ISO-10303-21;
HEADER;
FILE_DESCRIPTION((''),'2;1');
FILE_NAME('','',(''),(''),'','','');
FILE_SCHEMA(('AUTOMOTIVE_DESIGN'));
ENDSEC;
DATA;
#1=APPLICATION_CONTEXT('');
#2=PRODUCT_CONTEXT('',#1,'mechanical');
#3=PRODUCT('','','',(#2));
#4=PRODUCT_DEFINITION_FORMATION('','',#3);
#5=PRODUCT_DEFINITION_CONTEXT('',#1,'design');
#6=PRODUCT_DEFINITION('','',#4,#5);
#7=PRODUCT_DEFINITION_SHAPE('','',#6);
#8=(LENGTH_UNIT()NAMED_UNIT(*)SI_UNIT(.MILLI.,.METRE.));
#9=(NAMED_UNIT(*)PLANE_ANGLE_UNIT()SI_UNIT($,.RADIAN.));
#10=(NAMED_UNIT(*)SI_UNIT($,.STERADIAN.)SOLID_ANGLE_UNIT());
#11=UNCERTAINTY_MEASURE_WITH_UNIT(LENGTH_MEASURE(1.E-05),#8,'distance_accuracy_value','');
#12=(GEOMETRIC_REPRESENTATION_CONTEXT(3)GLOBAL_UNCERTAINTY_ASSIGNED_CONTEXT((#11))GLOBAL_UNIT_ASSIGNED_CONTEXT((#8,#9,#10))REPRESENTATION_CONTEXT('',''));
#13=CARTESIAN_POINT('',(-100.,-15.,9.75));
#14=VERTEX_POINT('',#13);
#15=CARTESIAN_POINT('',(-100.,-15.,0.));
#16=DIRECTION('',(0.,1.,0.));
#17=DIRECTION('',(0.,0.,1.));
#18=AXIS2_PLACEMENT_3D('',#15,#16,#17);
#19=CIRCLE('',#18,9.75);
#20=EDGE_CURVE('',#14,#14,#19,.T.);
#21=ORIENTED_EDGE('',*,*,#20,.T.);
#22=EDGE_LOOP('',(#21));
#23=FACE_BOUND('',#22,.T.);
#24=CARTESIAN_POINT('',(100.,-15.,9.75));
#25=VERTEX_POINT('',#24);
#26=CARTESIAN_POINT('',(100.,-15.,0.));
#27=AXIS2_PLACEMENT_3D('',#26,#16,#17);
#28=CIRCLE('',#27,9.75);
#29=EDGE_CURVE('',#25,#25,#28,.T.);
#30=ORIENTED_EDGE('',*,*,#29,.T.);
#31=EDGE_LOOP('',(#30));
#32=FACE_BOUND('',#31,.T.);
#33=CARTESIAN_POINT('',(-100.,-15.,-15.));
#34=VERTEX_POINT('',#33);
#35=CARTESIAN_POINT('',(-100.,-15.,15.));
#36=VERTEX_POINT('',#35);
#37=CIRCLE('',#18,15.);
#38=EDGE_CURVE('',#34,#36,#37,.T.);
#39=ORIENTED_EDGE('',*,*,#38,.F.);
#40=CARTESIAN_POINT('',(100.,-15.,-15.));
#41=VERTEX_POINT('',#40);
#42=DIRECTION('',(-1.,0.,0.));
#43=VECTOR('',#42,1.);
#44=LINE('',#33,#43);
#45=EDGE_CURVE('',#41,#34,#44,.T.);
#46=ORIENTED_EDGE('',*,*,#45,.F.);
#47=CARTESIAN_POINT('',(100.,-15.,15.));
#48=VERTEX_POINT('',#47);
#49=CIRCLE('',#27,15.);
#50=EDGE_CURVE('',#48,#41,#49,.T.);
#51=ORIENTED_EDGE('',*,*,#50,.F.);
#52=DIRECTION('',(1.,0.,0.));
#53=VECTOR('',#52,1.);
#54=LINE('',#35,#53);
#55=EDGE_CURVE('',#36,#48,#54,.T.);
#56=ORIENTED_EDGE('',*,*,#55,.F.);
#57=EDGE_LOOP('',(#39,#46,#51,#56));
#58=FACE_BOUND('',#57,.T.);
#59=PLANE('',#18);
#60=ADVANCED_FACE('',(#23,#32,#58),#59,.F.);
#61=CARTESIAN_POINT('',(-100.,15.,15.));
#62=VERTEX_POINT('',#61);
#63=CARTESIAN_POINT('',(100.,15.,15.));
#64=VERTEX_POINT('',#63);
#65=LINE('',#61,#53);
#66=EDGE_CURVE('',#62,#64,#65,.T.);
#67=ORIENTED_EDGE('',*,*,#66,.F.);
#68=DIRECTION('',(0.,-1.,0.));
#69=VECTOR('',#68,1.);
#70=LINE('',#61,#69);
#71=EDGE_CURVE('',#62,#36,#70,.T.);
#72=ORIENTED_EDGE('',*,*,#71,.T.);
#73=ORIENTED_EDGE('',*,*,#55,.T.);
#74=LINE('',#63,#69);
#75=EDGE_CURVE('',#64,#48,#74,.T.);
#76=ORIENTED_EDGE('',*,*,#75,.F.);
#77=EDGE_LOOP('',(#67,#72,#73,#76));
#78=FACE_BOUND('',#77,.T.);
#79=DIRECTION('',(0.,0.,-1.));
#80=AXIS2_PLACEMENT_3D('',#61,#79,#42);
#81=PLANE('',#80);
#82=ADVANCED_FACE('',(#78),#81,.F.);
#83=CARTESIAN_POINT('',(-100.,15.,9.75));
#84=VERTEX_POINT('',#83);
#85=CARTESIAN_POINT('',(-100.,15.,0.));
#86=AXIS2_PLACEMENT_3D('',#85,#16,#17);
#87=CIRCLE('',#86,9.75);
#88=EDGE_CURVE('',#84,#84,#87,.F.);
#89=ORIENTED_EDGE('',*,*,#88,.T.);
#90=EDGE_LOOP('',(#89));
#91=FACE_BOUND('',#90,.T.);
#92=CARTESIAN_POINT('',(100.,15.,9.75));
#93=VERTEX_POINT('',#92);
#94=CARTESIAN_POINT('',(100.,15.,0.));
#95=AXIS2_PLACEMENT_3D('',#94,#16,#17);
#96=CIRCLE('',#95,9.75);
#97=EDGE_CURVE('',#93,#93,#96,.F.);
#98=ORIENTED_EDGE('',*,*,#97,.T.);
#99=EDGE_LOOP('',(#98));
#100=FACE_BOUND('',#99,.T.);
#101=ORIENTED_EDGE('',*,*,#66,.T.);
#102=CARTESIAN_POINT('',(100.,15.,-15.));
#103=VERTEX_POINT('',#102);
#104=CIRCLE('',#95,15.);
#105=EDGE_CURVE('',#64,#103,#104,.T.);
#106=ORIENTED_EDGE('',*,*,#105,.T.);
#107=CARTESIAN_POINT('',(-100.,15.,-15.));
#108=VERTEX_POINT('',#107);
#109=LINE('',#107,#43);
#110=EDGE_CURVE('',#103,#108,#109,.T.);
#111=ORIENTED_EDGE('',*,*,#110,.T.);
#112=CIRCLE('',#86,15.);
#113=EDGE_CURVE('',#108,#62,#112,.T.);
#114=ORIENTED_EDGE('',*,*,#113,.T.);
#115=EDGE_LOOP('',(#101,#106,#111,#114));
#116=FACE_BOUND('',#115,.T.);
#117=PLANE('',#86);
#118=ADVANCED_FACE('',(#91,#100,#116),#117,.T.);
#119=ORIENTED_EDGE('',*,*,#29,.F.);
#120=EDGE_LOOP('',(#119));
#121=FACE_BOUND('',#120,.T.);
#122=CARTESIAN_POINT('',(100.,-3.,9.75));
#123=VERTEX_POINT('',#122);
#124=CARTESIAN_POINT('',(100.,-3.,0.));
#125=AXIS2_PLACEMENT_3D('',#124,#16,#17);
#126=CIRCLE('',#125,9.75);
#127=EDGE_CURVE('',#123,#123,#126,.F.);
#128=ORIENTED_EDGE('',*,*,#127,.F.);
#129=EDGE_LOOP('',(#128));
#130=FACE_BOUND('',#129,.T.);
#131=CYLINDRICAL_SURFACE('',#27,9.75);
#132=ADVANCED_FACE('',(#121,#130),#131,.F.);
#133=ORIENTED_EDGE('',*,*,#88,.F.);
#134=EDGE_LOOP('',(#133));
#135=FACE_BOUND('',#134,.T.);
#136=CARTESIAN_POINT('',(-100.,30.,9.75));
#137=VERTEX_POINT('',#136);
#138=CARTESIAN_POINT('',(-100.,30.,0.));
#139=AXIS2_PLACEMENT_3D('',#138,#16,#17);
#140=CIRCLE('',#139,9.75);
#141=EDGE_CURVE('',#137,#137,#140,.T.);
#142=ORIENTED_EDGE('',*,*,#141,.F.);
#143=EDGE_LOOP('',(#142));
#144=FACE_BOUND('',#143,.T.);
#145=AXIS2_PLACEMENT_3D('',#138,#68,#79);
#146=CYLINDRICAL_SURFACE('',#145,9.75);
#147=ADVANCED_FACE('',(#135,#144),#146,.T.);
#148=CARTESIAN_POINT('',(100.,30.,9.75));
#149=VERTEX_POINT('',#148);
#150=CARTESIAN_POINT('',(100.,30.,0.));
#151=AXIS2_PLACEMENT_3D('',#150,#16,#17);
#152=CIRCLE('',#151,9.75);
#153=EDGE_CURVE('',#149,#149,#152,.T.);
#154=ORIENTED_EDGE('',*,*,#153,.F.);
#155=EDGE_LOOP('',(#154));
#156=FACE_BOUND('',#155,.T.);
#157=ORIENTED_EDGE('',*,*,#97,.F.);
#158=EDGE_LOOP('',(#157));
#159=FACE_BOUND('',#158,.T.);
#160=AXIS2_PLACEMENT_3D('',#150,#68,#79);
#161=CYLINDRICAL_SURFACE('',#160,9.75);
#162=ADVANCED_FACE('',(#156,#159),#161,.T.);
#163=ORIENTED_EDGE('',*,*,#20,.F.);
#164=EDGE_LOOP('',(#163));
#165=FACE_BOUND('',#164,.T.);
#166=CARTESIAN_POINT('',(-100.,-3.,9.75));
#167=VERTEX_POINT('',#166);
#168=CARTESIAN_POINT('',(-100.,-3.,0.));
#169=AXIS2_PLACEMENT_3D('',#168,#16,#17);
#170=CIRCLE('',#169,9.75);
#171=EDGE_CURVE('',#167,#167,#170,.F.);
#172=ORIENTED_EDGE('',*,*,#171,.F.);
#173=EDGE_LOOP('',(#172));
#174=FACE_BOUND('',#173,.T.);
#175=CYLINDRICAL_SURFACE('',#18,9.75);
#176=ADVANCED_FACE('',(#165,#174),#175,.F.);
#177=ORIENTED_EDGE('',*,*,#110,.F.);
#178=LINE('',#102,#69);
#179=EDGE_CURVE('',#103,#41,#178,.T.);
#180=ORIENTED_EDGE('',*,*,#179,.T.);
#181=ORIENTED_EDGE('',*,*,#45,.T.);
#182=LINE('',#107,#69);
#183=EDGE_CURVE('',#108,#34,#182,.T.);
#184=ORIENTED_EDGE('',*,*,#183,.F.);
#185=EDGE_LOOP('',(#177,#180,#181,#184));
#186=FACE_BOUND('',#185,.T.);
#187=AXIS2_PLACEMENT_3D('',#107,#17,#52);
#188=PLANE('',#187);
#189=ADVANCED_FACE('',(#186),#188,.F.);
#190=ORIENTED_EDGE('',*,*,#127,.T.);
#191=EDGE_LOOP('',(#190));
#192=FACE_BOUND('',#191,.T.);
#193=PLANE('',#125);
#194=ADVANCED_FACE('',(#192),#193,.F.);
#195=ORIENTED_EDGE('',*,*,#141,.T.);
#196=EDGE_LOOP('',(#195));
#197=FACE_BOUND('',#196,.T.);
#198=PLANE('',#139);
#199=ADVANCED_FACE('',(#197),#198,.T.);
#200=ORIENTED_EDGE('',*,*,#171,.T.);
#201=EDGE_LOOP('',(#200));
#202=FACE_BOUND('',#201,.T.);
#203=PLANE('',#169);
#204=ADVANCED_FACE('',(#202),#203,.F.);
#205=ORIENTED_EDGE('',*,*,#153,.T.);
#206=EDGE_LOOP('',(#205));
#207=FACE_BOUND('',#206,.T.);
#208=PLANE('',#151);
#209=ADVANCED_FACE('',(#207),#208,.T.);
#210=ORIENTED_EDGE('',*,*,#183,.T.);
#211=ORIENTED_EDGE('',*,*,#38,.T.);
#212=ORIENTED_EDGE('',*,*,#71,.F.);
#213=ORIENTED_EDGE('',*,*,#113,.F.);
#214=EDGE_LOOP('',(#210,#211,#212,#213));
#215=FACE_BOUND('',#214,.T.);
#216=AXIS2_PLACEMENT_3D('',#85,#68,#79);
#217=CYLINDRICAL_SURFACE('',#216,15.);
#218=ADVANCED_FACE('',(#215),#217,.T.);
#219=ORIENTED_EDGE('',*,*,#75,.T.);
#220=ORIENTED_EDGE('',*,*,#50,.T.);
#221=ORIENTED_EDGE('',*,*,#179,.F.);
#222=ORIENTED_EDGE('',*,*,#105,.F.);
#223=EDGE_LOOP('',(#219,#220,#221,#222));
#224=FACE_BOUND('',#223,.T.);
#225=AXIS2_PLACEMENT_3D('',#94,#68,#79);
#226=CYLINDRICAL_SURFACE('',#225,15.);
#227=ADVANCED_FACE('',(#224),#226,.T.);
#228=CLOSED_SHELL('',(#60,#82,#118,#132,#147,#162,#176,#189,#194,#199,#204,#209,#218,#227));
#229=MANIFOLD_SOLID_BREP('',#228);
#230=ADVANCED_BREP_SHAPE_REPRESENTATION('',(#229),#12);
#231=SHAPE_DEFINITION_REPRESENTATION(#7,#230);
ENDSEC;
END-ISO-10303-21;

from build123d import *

# Parameters (mm, degrees)
BOSS_EXTRUDE1_DEPTH = 15
SKETCH2_R           = 9.75
CUT_EXTRUDE1_DEPTH  = 117.940155635
BOSS_EXTRUDE2_START = 30
SKETCH2_2_R         = 9.75
BOSS_EXTRUDE2_DEPTH = 30
SKETCH2_3_R         = 9.75
BOSS_EXTRUDE3_DEPTH = 3


with BuildPart() as part:
    # Sketch1 → Boss-Extrude1 (new, symmetric)
    with BuildSketch(Plane(origin=(0, 0, 0), x_dir=(1, 0, 0), z_dir=(0, 1, 0))):
        with BuildLine():
            Line((-100, 15), (100, 15))
            ThreePointArc((100, 15), (115, 0), (100, -15))
            Line((100, -15), (-100, -15))
            ThreePointArc((-100, -15), (-115, 0), (-100, 15))
        make_face()
    extrude(amount=BOSS_EXTRUDE1_DEPTH, both=True)

    # Sketch2 → Cut-Extrude1 (cut, through all)
    with BuildSketch(Plane(origin=(0, 0, 0), x_dir=(1, 0, 0), z_dir=(0, 1, 0))):
        with Locations((100, 0)):
            Circle(SKETCH2_R)
        with Locations((-100, 0)):
            Circle(SKETCH2_R)
    extrude(amount=-CUT_EXTRUDE1_DEPTH, mode=Mode.SUBTRACT)

    # Sketch2<2> → Boss-Extrude2 (add)
    with BuildSketch(Plane(origin=(0, 0, 0), x_dir=(1, 0, 0), z_dir=(0, 1, 0)).offset(BOSS_EXTRUDE2_START)):
        with Locations((100, 0)):
            Circle(SKETCH2_2_R)
        with Locations((-100, 0)):
            Circle(SKETCH2_2_R)
    extrude(amount=-BOSS_EXTRUDE2_DEPTH)

    # Sketch2<3> → Boss-Extrude3 (add)
    with BuildSketch(Plane(origin=(0, 0, 0), x_dir=(1, 0, 0), z_dir=(0, 1, 0))):
        with Locations((100, 0)):
            Circle(SKETCH2_3_R)
        with Locations((-100, 0)):
            Circle(SKETCH2_3_R)
    extrude(amount=-BOSS_EXTRUDE3_DEPTH)


solid = part.part
